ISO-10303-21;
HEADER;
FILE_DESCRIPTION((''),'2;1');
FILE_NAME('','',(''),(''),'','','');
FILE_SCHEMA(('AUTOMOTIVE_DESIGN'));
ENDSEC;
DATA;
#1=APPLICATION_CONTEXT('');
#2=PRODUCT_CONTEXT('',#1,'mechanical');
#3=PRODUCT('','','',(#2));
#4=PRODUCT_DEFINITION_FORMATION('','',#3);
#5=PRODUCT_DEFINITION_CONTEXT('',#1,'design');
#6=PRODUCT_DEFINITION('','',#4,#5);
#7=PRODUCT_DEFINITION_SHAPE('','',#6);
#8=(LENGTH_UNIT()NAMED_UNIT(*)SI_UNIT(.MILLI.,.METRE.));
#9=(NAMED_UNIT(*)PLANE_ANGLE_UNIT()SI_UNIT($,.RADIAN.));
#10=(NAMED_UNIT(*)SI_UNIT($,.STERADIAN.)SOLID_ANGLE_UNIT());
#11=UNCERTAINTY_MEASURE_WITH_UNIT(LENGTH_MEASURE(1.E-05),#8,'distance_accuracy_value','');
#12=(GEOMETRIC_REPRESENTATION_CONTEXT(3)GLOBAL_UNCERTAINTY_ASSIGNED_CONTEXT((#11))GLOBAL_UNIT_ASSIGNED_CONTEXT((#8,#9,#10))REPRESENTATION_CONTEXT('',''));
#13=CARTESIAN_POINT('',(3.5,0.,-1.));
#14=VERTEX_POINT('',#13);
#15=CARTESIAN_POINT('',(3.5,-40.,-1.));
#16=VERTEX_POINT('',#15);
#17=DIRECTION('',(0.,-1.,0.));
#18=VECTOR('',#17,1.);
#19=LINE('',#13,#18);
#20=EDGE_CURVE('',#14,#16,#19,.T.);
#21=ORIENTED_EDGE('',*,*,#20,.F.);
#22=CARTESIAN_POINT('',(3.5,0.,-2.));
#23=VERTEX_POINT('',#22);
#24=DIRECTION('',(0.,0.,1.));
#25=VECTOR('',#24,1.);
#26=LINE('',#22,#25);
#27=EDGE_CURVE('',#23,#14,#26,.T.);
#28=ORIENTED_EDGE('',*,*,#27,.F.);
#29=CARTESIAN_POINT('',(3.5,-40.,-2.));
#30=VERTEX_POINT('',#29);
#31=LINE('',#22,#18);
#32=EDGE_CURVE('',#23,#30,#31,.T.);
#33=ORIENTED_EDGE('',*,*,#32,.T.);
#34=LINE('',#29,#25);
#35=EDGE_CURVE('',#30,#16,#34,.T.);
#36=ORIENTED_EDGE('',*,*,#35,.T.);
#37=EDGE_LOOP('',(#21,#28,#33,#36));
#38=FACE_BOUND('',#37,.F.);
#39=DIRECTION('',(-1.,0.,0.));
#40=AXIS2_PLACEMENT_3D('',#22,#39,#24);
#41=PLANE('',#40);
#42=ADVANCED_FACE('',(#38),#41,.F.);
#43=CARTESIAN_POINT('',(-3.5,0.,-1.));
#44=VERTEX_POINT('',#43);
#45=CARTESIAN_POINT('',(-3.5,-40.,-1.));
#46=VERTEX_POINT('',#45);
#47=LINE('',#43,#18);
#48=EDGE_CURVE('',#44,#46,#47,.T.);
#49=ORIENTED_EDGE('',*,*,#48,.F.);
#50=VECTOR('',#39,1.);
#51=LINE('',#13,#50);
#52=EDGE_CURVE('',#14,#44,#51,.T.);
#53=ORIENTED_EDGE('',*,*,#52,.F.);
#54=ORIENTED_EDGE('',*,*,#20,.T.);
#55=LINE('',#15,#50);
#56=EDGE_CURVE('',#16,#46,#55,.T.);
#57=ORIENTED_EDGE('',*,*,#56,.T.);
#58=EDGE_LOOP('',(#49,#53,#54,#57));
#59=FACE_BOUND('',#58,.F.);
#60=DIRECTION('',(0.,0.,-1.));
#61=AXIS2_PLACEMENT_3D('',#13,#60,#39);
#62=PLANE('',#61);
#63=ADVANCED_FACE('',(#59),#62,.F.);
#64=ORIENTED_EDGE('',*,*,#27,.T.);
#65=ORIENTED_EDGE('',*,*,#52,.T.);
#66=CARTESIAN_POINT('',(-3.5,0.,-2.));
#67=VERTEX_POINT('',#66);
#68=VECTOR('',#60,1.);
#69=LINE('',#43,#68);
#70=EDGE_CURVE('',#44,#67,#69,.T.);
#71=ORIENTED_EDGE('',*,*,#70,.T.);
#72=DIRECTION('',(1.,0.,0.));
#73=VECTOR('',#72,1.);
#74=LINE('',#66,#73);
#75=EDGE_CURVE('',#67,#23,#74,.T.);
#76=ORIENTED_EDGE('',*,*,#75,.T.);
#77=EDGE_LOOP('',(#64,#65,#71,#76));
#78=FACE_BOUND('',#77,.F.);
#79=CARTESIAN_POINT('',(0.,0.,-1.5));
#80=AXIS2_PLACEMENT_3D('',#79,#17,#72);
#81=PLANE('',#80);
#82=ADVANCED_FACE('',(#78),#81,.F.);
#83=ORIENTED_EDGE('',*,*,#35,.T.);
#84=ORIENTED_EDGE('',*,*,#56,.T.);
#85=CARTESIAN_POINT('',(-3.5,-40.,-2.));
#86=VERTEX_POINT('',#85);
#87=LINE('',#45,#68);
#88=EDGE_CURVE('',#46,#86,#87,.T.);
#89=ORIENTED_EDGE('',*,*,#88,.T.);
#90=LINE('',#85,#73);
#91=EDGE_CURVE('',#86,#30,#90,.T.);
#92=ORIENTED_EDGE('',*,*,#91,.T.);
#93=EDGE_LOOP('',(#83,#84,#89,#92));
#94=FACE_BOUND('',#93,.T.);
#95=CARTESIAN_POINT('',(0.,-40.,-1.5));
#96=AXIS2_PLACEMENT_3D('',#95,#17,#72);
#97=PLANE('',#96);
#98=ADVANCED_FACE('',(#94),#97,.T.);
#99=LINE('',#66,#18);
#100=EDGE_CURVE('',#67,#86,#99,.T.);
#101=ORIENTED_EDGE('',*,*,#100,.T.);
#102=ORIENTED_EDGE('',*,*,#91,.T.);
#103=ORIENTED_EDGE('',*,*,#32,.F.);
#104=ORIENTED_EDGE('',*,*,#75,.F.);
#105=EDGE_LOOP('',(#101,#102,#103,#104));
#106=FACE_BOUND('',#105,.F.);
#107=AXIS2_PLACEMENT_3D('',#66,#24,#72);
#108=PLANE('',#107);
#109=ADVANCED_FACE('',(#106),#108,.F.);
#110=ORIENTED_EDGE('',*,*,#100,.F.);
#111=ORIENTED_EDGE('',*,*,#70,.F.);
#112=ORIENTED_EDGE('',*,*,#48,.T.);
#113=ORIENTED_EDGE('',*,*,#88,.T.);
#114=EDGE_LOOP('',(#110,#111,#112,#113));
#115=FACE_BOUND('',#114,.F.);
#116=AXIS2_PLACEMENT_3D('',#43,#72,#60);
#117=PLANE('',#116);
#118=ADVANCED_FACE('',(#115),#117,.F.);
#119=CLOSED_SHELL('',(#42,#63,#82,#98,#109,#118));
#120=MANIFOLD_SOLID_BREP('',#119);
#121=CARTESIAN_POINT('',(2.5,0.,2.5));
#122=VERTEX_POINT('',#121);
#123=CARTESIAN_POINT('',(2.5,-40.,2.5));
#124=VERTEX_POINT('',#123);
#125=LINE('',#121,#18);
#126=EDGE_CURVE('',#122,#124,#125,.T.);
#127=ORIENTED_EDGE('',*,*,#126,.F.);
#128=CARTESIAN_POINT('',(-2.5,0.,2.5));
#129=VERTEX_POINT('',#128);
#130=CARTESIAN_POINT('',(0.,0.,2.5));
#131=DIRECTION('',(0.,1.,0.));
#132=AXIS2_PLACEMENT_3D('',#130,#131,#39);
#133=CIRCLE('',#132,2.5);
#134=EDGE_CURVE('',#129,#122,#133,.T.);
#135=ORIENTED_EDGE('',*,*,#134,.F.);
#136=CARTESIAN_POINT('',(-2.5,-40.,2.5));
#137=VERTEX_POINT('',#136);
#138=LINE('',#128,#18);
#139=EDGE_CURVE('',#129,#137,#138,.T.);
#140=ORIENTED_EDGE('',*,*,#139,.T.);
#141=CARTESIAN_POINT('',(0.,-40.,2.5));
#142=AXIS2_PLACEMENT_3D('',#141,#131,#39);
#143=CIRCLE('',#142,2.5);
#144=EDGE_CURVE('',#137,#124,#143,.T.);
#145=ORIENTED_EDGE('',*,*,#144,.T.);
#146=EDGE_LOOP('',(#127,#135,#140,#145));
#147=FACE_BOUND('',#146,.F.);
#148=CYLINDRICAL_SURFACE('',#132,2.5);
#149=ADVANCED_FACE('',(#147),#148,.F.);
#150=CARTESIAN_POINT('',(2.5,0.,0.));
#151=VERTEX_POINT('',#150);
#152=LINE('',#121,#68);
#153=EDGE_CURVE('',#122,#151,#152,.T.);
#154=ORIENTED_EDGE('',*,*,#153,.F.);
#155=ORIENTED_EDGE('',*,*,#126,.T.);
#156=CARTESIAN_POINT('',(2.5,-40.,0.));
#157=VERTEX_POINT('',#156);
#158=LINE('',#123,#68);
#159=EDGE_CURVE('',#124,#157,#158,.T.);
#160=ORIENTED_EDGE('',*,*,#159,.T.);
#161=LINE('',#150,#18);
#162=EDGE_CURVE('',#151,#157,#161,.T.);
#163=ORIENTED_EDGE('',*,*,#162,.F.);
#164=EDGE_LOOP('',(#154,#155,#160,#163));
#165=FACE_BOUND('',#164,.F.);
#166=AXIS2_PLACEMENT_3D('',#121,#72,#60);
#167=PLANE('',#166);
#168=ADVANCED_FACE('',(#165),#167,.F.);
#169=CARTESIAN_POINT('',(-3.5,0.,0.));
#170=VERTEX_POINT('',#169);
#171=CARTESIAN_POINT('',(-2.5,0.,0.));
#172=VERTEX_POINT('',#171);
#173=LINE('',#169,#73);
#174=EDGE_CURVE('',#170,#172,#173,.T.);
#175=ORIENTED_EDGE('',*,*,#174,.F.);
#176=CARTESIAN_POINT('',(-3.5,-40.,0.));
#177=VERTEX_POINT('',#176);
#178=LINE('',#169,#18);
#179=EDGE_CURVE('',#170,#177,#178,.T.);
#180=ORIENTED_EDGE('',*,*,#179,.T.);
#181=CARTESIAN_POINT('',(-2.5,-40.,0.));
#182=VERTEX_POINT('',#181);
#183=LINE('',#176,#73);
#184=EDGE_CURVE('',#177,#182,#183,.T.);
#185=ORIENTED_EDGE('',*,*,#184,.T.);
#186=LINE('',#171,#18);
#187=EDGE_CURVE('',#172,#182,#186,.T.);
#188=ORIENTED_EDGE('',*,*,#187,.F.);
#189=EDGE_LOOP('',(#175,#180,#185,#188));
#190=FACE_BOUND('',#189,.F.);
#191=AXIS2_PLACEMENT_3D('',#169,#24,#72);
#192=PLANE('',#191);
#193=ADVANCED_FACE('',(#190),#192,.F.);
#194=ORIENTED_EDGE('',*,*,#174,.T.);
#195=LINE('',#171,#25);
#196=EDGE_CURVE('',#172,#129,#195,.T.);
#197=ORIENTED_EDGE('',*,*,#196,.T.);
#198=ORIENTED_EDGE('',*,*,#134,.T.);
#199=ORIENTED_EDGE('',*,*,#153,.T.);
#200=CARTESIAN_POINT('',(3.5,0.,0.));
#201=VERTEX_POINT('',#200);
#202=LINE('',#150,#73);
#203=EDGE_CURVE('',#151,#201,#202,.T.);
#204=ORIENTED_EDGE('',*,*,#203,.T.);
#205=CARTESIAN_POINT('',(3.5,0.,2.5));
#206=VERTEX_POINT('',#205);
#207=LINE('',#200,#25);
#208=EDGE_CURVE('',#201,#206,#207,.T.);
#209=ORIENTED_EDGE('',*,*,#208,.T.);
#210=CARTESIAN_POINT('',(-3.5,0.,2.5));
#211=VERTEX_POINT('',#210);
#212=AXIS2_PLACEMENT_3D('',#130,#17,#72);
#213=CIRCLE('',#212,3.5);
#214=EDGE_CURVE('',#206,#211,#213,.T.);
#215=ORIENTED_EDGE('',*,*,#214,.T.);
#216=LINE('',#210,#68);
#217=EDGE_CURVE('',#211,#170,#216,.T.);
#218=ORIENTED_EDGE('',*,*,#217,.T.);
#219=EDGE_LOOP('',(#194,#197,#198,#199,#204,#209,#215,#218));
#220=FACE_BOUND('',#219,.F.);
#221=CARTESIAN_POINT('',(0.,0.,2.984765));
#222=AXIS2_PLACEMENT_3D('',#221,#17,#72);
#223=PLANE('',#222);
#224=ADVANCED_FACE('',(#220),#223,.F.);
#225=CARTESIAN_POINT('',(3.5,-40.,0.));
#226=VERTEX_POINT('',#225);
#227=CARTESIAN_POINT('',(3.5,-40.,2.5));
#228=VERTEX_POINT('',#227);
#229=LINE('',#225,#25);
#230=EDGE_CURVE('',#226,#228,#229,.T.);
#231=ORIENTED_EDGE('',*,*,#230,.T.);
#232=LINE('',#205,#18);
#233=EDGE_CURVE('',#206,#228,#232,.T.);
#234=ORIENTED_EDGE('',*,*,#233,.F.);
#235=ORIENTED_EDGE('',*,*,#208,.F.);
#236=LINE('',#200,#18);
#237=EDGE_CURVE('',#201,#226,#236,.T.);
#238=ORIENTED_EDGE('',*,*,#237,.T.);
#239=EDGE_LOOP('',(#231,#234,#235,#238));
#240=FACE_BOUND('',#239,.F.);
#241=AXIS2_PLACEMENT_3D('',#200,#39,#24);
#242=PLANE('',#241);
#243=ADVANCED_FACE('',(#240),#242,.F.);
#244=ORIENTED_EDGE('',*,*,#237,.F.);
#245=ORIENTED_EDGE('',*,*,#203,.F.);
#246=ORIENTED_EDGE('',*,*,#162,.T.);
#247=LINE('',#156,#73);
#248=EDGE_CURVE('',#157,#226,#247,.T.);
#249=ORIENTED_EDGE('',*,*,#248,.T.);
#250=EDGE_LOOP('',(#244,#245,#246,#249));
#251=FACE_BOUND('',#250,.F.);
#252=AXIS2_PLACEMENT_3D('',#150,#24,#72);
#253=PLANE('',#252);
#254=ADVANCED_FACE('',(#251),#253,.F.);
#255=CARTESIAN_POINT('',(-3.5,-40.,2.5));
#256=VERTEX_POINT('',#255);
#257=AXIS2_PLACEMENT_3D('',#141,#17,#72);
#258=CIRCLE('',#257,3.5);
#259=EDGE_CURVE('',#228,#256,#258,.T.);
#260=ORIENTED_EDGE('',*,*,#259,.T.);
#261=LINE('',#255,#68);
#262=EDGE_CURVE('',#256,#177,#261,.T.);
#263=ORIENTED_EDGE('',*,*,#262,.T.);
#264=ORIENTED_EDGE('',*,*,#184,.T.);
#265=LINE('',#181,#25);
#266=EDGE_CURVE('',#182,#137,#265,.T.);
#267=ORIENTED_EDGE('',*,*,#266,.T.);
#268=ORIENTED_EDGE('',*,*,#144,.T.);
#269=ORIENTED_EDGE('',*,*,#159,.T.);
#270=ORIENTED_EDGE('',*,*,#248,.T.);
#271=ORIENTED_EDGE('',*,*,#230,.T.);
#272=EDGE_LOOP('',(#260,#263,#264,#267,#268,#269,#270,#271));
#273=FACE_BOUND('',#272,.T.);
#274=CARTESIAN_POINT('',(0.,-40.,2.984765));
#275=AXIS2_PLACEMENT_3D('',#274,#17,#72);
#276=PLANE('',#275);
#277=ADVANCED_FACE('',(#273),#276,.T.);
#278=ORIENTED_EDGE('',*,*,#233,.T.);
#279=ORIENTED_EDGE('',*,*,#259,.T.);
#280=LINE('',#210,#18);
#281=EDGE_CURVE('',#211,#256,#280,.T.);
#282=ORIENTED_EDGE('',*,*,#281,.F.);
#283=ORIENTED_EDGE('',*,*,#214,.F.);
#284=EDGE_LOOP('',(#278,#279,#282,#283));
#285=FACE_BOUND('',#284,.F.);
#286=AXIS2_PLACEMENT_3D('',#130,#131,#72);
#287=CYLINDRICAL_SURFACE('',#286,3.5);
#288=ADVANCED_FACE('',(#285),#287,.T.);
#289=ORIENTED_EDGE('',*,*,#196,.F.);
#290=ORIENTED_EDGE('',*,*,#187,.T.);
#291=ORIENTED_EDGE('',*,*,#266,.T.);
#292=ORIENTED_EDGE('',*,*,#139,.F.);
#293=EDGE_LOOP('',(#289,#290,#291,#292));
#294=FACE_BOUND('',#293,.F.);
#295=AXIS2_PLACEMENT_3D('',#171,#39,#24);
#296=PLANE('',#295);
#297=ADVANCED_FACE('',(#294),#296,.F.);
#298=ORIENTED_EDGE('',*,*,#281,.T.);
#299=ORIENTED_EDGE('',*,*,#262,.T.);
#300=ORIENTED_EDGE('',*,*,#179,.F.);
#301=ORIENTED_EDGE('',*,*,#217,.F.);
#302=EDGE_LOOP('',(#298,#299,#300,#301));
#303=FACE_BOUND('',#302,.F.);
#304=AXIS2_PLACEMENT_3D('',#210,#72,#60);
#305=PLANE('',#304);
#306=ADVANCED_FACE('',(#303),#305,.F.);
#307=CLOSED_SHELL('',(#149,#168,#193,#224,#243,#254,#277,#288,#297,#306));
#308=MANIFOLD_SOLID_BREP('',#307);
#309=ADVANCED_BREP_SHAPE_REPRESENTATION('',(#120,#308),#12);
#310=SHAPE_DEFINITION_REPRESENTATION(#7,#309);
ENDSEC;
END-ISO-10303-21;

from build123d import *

# Parameters (mm, degrees)
F4_DEPTH = 40


with BuildPart() as f4:
    # F3 (on Front) → F4 (new body)
    with BuildSketch(Plane.XZ):
        with BuildLine():
            Line((2.5, 2.5), (2.5, 0))
            Line((2.5, 0), (3.5, 0))
            Line((3.5, 0), (3.5, 2.5))
            ThreePointArc((3.5, 2.5), (0, 6), (-3.5, 2.5))
            Line((-3.5, 2.5), (-3.5, 0))
            Line((-3.5, 0), (-2.5, 0))
            Line((-2.5, 0), (-2.5, 2.5))
            ThreePointArc((-2.5, 2.5), (0, 5), (2.5, 2.5))
        make_face()
    extrude(amount=F4_DEPTH)


with BuildPart() as f4b:
    # F3 (on Front) → F4, piece 2 (new body)
    with BuildSketch(Plane.XZ):
        Polygon((3.5, -1), (0, -1), (-3.5, -1), (-3.5, -2), (3.5, -2), align=None)
    extrude(amount=F4_DEPTH)


solid = Compound([f4.part, f4b.part])
